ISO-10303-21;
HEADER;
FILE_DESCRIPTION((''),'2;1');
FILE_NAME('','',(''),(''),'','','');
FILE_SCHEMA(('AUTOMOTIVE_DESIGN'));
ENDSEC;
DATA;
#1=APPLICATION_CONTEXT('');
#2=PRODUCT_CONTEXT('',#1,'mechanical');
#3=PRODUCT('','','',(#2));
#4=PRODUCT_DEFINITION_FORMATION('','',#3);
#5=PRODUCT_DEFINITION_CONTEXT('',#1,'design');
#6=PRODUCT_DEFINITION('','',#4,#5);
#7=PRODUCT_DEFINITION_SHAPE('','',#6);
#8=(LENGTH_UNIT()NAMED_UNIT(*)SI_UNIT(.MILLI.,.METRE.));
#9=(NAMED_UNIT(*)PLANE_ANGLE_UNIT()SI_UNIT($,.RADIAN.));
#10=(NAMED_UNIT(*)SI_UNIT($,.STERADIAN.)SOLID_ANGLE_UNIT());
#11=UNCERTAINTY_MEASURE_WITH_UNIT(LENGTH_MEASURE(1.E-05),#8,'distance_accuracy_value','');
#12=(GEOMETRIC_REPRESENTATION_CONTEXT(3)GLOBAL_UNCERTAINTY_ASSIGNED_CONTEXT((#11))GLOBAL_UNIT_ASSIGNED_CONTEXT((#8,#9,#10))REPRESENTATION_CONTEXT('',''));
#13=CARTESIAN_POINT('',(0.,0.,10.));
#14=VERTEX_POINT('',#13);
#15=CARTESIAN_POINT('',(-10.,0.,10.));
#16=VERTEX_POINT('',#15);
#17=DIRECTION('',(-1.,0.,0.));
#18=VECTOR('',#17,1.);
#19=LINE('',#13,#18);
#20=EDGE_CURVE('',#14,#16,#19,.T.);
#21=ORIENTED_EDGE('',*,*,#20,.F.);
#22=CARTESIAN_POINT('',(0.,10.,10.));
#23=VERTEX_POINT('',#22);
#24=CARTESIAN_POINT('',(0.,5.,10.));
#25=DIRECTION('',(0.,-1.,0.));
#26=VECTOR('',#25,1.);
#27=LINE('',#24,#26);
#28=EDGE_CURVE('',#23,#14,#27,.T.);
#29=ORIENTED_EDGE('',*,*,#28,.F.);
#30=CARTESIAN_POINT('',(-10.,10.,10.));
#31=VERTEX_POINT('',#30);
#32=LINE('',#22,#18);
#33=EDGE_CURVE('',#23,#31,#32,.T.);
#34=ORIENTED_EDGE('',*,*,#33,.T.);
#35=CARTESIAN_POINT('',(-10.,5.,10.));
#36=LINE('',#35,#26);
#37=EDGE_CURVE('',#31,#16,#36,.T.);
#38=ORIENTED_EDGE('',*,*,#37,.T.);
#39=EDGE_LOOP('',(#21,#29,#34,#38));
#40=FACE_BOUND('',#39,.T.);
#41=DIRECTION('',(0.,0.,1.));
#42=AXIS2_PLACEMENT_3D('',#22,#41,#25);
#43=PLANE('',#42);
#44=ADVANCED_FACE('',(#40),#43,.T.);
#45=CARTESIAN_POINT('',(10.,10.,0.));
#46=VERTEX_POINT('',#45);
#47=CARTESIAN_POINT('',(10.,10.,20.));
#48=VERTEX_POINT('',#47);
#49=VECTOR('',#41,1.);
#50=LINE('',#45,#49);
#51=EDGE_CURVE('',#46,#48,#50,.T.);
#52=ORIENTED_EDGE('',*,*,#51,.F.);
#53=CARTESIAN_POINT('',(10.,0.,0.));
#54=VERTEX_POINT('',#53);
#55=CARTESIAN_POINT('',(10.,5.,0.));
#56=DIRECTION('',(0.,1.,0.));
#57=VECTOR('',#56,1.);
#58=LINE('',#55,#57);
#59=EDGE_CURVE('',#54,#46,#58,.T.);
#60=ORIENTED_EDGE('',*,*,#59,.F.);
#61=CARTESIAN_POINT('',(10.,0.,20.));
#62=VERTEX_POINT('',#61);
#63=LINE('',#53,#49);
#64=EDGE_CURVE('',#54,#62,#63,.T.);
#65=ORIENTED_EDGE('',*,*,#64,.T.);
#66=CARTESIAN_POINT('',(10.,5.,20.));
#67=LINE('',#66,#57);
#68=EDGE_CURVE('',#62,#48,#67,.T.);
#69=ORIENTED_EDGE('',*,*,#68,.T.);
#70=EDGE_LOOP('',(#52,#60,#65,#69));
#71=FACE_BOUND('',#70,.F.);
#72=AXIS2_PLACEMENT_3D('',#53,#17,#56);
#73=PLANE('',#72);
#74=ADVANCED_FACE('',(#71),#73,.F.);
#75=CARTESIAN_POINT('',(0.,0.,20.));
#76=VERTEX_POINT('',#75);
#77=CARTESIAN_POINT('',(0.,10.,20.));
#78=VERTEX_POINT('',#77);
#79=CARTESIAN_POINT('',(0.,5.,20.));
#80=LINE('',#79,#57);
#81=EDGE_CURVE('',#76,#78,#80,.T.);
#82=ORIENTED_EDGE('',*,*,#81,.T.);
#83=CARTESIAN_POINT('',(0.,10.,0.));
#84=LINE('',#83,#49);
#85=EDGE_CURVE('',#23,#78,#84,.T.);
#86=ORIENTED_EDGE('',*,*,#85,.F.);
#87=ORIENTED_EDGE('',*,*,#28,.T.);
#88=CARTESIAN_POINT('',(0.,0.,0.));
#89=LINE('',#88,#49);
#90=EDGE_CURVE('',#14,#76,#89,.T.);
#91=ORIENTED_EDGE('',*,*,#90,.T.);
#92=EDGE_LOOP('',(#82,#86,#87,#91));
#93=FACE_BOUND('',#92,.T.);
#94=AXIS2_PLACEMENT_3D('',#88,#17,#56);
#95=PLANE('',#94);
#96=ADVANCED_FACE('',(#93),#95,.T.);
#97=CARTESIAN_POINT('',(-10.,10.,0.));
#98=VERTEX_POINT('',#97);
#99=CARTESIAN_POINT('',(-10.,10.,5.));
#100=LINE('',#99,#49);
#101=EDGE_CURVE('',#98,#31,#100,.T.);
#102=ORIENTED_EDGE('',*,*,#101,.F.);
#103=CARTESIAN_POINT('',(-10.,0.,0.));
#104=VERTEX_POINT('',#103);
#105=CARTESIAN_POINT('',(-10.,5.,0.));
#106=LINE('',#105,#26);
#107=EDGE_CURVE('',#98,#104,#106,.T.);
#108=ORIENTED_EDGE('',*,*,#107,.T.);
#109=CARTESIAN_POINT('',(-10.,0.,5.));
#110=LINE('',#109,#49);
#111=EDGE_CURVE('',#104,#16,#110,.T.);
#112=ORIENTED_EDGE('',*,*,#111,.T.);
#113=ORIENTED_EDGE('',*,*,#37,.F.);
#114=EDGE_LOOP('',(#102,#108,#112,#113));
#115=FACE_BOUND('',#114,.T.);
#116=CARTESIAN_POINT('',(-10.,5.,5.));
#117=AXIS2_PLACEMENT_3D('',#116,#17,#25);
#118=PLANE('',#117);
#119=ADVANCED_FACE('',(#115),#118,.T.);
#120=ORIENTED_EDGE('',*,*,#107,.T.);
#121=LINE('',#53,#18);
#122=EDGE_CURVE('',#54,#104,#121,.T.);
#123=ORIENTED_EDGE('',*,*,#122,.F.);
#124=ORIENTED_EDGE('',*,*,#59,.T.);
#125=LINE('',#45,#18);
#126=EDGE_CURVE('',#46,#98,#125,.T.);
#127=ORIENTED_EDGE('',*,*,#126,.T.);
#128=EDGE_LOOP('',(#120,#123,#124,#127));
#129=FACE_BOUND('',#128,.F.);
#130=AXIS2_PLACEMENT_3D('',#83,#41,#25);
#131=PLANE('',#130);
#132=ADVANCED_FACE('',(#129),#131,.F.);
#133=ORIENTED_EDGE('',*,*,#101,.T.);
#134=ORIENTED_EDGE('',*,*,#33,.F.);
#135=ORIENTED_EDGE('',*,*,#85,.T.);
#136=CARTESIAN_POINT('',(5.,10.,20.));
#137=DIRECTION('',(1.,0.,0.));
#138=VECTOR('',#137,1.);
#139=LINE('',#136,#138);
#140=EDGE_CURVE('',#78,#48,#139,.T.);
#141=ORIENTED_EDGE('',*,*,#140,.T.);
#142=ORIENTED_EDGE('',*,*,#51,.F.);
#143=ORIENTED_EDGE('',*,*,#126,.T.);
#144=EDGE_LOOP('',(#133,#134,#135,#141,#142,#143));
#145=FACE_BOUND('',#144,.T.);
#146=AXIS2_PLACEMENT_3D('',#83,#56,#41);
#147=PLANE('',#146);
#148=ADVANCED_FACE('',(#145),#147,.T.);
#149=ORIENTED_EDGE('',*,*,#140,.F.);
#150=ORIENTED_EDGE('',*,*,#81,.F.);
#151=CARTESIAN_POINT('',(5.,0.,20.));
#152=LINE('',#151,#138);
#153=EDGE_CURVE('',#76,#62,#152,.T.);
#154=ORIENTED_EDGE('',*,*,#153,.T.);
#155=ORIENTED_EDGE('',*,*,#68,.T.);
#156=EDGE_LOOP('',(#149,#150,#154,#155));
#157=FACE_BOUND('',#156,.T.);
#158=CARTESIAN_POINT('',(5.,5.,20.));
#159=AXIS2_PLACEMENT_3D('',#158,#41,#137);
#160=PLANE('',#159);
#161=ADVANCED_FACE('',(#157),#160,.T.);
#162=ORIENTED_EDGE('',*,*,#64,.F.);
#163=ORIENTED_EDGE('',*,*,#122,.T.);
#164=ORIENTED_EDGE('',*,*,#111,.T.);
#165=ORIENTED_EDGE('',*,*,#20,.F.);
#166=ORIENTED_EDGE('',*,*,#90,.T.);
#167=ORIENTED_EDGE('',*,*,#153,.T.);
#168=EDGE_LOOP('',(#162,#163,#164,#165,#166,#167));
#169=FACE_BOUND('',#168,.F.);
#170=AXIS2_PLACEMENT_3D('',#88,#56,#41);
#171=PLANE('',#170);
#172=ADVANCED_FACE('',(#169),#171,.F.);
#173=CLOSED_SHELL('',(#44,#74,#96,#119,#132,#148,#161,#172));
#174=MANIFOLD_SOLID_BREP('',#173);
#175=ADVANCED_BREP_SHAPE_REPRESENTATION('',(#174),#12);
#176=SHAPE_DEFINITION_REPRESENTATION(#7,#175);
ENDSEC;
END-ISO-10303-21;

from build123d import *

# Parameters (mm, degrees)
F0_W     = 10
F0_H     = 10
F1_DEPTH = 20
F2_W     = 10
F2_H     = 10
F3_DEPTH = 10


with BuildPart() as f1:
    # F0 (on Top) → F1 (new body)
    with BuildSketch(Plane.XY):
        with Locations((5, 5)):
            Rectangle(F0_W, F0_H)
    extrude(amount=F1_DEPTH)

    # F2 (on face) → F3 (join)
    with BuildSketch(Plane(origin=(0, 0, 0), x_dir=(0, -1, 0), z_dir=(-1, 0, 0))):
        with Locations((-5, 5)):
            Rectangle(F2_W, F2_H)
    extrude(amount=F3_DEPTH)


solid = f1.part
